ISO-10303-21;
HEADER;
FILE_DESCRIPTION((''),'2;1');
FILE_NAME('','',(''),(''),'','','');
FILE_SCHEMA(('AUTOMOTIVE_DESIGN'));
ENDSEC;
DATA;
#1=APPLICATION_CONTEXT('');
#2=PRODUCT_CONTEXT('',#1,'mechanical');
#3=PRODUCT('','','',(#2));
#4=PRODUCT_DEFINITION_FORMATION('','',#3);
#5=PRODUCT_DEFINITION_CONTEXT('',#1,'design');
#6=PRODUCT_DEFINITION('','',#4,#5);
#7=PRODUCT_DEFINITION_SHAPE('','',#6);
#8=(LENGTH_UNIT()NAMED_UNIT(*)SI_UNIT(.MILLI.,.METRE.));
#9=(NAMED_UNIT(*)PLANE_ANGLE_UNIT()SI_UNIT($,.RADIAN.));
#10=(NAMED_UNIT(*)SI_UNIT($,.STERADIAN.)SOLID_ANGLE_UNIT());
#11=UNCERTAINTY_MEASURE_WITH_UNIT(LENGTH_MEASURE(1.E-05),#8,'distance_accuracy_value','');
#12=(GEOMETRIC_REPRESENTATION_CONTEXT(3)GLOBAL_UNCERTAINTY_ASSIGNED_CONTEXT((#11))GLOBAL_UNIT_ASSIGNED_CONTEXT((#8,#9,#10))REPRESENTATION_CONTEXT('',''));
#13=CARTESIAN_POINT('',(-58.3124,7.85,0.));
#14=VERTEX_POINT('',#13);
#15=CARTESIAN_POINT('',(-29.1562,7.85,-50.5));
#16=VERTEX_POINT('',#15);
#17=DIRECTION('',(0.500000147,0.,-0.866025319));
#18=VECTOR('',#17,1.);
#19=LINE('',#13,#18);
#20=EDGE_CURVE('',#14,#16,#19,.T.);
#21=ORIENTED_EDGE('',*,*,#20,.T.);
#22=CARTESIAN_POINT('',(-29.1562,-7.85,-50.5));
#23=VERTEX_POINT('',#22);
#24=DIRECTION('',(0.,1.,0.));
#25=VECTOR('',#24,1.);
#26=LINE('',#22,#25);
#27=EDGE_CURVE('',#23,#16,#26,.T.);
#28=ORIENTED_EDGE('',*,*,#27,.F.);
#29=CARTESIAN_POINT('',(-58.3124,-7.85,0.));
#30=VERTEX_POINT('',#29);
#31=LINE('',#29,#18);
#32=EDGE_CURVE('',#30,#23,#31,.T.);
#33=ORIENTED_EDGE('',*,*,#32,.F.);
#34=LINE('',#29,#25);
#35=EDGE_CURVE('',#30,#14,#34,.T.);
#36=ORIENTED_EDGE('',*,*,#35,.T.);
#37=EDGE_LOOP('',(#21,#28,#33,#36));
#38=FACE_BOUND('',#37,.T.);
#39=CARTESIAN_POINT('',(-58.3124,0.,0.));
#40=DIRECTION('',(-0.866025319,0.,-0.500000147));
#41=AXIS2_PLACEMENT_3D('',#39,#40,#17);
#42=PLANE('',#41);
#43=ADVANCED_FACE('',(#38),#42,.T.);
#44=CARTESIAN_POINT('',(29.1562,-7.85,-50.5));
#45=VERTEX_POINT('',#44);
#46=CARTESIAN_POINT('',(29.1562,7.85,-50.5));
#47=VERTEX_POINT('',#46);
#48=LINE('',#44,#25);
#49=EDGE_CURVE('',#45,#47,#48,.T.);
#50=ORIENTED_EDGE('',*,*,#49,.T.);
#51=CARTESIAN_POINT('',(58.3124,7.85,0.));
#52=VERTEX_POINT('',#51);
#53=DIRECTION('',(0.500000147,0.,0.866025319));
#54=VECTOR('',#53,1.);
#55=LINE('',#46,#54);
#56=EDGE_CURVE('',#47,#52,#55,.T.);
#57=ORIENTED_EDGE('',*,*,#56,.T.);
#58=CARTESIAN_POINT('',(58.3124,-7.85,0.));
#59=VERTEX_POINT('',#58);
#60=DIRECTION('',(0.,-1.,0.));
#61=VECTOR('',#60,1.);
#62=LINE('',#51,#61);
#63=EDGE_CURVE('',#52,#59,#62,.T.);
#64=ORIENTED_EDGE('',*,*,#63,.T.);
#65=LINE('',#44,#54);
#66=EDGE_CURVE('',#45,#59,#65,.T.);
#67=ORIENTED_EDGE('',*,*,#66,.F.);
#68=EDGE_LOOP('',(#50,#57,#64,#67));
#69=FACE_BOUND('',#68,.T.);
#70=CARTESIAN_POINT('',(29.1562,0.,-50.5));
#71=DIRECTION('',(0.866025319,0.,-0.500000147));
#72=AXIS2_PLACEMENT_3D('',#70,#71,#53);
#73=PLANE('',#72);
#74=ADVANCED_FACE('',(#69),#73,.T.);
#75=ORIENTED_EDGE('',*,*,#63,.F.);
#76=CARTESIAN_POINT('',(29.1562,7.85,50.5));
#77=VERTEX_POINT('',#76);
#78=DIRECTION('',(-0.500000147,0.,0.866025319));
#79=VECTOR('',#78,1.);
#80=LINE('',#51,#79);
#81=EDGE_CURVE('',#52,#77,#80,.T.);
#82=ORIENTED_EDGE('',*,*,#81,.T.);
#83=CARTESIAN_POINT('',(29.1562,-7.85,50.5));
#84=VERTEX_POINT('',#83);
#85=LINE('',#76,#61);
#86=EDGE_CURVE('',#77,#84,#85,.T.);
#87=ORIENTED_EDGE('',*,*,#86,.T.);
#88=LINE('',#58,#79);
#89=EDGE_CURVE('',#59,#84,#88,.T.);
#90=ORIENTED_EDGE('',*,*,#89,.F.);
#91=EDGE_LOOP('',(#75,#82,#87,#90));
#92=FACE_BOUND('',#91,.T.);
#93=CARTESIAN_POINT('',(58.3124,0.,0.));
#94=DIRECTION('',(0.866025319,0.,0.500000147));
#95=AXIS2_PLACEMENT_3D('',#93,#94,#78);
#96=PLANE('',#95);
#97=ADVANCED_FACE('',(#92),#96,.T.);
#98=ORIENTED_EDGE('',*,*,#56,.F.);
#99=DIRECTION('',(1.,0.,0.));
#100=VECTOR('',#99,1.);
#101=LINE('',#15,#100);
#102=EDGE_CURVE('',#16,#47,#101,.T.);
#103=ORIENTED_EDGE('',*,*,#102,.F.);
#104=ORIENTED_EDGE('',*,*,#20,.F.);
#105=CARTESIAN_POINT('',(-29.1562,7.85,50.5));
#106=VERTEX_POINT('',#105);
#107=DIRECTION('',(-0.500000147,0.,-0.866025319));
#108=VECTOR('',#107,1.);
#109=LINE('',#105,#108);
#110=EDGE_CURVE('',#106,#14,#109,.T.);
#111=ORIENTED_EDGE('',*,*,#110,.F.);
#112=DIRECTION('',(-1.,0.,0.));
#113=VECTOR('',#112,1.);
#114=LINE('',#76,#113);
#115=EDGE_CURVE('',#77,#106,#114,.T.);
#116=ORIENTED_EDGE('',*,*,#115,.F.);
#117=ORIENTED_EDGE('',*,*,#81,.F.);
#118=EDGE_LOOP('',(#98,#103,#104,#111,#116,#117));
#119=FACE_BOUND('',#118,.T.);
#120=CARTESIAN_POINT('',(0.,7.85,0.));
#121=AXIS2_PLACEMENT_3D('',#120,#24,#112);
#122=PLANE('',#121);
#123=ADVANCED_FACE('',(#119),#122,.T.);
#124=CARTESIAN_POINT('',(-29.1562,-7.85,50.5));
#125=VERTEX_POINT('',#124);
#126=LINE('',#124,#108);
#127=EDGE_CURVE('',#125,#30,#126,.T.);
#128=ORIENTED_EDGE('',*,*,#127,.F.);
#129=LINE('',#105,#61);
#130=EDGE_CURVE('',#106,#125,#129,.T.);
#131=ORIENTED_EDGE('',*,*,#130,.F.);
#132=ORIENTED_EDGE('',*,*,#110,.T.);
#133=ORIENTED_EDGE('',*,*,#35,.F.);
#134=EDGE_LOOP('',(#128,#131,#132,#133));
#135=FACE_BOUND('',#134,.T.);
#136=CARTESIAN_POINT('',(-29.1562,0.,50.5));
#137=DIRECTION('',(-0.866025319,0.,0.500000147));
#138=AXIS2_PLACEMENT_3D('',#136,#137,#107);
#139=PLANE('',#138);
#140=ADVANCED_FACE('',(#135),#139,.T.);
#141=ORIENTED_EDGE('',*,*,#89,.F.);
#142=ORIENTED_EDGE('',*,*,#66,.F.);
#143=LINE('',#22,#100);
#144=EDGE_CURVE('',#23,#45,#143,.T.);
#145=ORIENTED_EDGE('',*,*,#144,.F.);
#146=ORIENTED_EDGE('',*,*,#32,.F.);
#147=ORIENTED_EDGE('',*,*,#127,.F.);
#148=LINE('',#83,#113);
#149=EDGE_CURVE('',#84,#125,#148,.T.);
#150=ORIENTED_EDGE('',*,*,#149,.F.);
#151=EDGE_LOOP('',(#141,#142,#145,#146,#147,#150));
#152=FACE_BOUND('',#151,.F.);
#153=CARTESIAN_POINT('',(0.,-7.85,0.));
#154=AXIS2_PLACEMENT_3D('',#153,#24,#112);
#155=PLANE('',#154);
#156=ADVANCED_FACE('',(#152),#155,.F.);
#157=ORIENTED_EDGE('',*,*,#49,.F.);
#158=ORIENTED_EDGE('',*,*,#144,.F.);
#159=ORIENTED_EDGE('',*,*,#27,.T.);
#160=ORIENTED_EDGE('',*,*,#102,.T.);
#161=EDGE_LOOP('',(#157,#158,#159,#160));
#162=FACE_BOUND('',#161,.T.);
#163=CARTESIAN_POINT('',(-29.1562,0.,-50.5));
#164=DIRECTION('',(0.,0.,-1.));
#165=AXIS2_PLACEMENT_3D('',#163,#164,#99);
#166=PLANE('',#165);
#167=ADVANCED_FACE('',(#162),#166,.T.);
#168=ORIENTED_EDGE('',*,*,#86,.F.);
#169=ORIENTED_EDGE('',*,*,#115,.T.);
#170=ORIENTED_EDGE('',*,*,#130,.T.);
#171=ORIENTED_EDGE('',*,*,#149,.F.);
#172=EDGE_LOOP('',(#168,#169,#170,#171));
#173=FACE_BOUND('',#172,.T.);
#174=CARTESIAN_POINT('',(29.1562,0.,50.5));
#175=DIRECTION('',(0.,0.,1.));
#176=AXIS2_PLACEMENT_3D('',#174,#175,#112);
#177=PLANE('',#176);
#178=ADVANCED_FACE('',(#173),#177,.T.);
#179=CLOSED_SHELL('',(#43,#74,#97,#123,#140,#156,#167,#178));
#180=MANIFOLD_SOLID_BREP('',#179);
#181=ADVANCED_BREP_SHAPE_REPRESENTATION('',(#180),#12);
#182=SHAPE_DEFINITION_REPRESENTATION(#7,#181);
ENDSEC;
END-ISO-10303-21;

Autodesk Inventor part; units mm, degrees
ref_plane "YZ Plane" through (0, 0, 0) normal (1, 0, 0) x (0, 1, 0)
ref_plane "XZ Plane" through (0, 0, 0) normal (0, 1, 0) x (-1, 0, 0)
ref_plane "XY Plane" through (0, 0, 0) normal (0, 0, 1) x (1, 0, 0)
sketch "Sketch1" plane through (0, 0, 0) normal (0, 1, 0) x (-1, 0, 0)
  line L0 (-29.1562, -50.5) -> (-58.3124, 0)
  line L1 (-58.3124, 0) -> (-29.1562, 50.5)
  line L2 (-29.1562, 50.5) -> (29.1562, 50.5)
  line L3 (29.1562, 50.5) -> (58.3124, 0)
  line L4 (58.3124, 0) -> (29.1562, -50.5)
  line L5 (29.1562, -50.5) -> (-29.1562, -50.5)
  point P0 (0, 0)
  point P1 (0, 0)
  dimension "d0" = 101
extrude "Extrusion1" add sketch "Sketch1" along normal mid plane 15.7
properties part number "Hex_Hyperlanes" material "Paper"
